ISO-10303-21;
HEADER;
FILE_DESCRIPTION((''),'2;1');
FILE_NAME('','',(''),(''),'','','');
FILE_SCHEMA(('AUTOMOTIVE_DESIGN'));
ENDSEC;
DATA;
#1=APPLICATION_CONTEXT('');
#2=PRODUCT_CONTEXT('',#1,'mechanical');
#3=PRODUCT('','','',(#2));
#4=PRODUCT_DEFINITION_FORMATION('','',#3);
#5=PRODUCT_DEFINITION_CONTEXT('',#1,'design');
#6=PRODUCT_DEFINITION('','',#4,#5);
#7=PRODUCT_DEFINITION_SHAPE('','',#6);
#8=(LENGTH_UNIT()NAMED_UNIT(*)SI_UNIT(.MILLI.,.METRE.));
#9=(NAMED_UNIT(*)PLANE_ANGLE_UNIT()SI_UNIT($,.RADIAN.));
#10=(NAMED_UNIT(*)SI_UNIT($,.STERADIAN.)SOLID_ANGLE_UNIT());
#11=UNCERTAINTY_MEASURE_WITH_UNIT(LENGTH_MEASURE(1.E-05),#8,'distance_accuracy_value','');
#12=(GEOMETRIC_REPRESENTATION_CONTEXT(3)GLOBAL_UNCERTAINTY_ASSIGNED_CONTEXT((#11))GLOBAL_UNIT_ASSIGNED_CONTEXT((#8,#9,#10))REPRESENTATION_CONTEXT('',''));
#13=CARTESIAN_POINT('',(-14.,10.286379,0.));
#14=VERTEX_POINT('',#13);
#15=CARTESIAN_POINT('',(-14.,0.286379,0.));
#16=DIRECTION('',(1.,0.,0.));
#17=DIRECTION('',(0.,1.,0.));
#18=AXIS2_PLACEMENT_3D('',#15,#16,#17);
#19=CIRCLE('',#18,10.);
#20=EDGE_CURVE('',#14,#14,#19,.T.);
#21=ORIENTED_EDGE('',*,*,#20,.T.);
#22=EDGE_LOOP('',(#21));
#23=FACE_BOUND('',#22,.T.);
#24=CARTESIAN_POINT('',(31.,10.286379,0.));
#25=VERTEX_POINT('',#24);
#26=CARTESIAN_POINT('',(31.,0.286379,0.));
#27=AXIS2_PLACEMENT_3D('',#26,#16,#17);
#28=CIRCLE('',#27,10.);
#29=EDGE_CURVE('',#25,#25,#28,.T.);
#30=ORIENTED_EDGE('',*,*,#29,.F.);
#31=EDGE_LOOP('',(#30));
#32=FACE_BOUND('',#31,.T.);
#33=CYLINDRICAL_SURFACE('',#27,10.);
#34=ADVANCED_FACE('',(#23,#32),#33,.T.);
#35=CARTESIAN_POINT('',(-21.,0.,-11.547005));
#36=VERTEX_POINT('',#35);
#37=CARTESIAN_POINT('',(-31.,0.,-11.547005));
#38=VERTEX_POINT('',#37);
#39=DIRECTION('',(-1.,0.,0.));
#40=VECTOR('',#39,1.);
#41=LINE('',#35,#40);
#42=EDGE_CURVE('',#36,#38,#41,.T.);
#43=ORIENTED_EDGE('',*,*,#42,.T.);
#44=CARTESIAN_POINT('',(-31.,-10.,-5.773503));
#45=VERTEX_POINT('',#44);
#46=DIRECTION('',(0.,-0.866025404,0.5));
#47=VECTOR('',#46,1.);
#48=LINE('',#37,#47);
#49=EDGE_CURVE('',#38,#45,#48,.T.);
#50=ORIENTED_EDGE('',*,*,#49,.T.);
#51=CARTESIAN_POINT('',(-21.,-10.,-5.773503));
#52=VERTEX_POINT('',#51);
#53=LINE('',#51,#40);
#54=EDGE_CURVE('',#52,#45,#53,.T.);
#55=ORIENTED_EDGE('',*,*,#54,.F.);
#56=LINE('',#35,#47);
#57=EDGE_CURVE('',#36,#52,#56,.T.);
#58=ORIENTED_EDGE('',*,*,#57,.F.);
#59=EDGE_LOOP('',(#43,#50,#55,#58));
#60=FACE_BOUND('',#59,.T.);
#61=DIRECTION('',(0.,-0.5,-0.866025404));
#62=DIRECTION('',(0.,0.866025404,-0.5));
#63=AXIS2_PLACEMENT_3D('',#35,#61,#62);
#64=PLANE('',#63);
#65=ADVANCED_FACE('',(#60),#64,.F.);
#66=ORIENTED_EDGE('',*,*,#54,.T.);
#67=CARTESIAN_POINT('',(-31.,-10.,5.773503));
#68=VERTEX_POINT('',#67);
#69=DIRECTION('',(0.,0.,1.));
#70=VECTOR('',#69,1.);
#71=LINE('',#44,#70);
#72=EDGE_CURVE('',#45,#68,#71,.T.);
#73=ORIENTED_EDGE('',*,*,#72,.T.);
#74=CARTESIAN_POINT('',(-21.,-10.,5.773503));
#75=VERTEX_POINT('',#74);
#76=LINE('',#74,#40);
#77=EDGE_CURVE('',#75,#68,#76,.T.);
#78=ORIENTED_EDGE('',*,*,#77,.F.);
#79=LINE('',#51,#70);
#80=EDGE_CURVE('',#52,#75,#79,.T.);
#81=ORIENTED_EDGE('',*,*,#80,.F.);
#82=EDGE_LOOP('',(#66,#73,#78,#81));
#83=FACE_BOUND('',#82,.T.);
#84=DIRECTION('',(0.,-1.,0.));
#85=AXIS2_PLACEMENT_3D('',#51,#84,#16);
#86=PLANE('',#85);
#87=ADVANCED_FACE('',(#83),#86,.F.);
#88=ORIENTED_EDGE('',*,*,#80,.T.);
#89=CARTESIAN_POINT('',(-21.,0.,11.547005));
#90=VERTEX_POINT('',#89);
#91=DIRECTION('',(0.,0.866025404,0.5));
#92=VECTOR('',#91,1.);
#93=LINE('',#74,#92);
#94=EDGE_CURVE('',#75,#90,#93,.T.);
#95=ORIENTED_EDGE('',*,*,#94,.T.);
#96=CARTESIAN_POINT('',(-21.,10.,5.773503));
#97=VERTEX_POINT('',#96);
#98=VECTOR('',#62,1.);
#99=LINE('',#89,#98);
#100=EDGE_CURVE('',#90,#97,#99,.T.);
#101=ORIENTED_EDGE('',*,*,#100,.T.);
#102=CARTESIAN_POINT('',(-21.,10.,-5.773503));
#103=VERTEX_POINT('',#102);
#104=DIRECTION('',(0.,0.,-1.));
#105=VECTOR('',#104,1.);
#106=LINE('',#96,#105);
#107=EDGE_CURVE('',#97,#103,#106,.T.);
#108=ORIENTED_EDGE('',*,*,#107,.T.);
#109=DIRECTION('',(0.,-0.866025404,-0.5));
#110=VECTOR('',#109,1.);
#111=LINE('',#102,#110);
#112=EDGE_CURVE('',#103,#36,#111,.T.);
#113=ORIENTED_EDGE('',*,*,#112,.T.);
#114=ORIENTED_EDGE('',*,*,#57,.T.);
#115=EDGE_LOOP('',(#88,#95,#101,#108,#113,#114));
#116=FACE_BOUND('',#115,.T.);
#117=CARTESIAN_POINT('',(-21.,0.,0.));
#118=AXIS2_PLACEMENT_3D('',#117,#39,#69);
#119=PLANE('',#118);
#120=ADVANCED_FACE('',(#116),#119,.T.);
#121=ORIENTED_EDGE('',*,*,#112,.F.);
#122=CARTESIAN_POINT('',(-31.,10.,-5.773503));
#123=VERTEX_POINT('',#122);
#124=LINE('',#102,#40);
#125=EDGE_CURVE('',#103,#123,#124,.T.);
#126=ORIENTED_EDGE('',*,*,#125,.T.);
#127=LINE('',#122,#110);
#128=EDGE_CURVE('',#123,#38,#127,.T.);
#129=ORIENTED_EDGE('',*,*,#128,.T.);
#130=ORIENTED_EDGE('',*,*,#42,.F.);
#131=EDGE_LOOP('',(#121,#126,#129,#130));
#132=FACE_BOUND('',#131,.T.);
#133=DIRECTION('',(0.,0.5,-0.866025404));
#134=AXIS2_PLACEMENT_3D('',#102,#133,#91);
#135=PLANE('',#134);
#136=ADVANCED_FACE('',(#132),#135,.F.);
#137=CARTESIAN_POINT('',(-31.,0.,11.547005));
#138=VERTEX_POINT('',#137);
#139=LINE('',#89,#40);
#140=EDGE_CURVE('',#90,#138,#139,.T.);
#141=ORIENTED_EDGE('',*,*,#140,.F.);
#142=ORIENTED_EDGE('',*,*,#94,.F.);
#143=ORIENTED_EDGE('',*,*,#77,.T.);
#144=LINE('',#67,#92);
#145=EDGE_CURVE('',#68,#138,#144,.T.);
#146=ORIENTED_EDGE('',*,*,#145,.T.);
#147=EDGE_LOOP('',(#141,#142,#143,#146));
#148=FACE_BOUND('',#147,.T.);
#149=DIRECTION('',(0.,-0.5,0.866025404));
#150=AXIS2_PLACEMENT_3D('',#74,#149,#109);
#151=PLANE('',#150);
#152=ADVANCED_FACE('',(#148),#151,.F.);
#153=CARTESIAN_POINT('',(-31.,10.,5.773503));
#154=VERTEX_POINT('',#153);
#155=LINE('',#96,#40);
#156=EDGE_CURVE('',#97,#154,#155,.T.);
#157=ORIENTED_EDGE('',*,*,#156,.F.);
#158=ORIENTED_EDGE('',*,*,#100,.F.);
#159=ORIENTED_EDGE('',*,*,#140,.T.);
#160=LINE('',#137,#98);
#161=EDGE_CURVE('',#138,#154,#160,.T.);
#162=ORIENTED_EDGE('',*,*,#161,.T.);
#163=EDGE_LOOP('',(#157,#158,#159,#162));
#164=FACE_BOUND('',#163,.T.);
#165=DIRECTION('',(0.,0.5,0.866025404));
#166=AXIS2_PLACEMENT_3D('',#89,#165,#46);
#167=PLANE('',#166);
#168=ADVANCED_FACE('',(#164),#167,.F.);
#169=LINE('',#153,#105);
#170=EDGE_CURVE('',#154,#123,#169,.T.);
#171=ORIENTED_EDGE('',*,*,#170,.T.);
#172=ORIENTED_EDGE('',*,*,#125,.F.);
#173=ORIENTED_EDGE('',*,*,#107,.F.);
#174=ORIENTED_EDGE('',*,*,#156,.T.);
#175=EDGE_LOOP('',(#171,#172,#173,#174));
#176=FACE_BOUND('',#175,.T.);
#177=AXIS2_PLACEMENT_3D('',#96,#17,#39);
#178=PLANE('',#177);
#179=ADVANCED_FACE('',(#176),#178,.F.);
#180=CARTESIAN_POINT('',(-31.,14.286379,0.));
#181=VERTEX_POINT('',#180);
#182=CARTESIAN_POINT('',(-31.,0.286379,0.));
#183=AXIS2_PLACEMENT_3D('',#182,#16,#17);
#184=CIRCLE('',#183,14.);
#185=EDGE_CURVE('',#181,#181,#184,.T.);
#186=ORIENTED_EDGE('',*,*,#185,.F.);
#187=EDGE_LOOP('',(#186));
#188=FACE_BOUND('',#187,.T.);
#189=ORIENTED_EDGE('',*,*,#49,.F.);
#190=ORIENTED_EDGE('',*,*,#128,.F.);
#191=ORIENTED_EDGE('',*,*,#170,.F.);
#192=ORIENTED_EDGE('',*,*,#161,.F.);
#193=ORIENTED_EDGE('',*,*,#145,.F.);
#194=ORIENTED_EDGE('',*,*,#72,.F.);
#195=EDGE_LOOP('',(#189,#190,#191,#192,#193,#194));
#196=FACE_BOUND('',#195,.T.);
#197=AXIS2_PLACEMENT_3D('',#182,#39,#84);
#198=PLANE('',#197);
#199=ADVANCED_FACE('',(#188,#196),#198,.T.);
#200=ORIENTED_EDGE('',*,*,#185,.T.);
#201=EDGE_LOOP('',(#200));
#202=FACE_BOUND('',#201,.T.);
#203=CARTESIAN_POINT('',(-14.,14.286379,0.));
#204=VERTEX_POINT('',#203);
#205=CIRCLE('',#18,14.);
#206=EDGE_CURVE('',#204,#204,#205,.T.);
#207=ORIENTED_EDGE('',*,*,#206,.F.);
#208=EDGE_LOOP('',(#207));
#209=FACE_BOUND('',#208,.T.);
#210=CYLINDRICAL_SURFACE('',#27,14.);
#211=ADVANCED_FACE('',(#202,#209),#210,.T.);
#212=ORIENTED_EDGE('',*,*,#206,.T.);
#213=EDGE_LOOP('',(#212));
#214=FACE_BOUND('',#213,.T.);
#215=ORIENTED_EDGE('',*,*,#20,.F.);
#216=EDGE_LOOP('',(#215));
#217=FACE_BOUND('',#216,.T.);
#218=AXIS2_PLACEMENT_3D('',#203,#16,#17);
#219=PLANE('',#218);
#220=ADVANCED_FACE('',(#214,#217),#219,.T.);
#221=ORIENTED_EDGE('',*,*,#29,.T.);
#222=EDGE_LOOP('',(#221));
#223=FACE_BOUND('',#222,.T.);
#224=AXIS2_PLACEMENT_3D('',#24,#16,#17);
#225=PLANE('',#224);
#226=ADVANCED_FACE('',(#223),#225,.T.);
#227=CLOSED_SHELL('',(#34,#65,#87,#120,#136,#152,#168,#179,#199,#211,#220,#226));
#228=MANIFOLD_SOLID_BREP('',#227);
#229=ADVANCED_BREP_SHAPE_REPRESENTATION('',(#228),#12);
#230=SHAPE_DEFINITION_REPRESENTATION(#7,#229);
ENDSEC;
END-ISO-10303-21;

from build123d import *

# Parameters (mm, degrees)
CUT_EXTRUDE1_DEPTH = 10


with BuildPart() as part:
    # Sketch1 → Revolve1 (revolve)
    with BuildSketch(Plane.XY):
        Polygon((-31, 0.286378632), (-31, 14.286378632), (-14, 14.286378632), (-14, 10.286378632), (31, 10.286378632), (31, 0.286378632), align=None)
    revolve(axis=Axis((31, 0.286378632, 0), (-1, 0, 0)))

    # Sketch2 → Cut-Extrude1 (cut)
    with BuildSketch(Plane.ZY.offset(31)):
        Polygon((11.547005384, 0), (5.773502692, 10), (-5.773502692, 10), (-11.547005384, 0), (-5.773502692, -10), (5.773502692, -10), align=None)
    extrude(amount=-CUT_EXTRUDE1_DEPTH, mode=Mode.SUBTRACT)


solid = part.part
